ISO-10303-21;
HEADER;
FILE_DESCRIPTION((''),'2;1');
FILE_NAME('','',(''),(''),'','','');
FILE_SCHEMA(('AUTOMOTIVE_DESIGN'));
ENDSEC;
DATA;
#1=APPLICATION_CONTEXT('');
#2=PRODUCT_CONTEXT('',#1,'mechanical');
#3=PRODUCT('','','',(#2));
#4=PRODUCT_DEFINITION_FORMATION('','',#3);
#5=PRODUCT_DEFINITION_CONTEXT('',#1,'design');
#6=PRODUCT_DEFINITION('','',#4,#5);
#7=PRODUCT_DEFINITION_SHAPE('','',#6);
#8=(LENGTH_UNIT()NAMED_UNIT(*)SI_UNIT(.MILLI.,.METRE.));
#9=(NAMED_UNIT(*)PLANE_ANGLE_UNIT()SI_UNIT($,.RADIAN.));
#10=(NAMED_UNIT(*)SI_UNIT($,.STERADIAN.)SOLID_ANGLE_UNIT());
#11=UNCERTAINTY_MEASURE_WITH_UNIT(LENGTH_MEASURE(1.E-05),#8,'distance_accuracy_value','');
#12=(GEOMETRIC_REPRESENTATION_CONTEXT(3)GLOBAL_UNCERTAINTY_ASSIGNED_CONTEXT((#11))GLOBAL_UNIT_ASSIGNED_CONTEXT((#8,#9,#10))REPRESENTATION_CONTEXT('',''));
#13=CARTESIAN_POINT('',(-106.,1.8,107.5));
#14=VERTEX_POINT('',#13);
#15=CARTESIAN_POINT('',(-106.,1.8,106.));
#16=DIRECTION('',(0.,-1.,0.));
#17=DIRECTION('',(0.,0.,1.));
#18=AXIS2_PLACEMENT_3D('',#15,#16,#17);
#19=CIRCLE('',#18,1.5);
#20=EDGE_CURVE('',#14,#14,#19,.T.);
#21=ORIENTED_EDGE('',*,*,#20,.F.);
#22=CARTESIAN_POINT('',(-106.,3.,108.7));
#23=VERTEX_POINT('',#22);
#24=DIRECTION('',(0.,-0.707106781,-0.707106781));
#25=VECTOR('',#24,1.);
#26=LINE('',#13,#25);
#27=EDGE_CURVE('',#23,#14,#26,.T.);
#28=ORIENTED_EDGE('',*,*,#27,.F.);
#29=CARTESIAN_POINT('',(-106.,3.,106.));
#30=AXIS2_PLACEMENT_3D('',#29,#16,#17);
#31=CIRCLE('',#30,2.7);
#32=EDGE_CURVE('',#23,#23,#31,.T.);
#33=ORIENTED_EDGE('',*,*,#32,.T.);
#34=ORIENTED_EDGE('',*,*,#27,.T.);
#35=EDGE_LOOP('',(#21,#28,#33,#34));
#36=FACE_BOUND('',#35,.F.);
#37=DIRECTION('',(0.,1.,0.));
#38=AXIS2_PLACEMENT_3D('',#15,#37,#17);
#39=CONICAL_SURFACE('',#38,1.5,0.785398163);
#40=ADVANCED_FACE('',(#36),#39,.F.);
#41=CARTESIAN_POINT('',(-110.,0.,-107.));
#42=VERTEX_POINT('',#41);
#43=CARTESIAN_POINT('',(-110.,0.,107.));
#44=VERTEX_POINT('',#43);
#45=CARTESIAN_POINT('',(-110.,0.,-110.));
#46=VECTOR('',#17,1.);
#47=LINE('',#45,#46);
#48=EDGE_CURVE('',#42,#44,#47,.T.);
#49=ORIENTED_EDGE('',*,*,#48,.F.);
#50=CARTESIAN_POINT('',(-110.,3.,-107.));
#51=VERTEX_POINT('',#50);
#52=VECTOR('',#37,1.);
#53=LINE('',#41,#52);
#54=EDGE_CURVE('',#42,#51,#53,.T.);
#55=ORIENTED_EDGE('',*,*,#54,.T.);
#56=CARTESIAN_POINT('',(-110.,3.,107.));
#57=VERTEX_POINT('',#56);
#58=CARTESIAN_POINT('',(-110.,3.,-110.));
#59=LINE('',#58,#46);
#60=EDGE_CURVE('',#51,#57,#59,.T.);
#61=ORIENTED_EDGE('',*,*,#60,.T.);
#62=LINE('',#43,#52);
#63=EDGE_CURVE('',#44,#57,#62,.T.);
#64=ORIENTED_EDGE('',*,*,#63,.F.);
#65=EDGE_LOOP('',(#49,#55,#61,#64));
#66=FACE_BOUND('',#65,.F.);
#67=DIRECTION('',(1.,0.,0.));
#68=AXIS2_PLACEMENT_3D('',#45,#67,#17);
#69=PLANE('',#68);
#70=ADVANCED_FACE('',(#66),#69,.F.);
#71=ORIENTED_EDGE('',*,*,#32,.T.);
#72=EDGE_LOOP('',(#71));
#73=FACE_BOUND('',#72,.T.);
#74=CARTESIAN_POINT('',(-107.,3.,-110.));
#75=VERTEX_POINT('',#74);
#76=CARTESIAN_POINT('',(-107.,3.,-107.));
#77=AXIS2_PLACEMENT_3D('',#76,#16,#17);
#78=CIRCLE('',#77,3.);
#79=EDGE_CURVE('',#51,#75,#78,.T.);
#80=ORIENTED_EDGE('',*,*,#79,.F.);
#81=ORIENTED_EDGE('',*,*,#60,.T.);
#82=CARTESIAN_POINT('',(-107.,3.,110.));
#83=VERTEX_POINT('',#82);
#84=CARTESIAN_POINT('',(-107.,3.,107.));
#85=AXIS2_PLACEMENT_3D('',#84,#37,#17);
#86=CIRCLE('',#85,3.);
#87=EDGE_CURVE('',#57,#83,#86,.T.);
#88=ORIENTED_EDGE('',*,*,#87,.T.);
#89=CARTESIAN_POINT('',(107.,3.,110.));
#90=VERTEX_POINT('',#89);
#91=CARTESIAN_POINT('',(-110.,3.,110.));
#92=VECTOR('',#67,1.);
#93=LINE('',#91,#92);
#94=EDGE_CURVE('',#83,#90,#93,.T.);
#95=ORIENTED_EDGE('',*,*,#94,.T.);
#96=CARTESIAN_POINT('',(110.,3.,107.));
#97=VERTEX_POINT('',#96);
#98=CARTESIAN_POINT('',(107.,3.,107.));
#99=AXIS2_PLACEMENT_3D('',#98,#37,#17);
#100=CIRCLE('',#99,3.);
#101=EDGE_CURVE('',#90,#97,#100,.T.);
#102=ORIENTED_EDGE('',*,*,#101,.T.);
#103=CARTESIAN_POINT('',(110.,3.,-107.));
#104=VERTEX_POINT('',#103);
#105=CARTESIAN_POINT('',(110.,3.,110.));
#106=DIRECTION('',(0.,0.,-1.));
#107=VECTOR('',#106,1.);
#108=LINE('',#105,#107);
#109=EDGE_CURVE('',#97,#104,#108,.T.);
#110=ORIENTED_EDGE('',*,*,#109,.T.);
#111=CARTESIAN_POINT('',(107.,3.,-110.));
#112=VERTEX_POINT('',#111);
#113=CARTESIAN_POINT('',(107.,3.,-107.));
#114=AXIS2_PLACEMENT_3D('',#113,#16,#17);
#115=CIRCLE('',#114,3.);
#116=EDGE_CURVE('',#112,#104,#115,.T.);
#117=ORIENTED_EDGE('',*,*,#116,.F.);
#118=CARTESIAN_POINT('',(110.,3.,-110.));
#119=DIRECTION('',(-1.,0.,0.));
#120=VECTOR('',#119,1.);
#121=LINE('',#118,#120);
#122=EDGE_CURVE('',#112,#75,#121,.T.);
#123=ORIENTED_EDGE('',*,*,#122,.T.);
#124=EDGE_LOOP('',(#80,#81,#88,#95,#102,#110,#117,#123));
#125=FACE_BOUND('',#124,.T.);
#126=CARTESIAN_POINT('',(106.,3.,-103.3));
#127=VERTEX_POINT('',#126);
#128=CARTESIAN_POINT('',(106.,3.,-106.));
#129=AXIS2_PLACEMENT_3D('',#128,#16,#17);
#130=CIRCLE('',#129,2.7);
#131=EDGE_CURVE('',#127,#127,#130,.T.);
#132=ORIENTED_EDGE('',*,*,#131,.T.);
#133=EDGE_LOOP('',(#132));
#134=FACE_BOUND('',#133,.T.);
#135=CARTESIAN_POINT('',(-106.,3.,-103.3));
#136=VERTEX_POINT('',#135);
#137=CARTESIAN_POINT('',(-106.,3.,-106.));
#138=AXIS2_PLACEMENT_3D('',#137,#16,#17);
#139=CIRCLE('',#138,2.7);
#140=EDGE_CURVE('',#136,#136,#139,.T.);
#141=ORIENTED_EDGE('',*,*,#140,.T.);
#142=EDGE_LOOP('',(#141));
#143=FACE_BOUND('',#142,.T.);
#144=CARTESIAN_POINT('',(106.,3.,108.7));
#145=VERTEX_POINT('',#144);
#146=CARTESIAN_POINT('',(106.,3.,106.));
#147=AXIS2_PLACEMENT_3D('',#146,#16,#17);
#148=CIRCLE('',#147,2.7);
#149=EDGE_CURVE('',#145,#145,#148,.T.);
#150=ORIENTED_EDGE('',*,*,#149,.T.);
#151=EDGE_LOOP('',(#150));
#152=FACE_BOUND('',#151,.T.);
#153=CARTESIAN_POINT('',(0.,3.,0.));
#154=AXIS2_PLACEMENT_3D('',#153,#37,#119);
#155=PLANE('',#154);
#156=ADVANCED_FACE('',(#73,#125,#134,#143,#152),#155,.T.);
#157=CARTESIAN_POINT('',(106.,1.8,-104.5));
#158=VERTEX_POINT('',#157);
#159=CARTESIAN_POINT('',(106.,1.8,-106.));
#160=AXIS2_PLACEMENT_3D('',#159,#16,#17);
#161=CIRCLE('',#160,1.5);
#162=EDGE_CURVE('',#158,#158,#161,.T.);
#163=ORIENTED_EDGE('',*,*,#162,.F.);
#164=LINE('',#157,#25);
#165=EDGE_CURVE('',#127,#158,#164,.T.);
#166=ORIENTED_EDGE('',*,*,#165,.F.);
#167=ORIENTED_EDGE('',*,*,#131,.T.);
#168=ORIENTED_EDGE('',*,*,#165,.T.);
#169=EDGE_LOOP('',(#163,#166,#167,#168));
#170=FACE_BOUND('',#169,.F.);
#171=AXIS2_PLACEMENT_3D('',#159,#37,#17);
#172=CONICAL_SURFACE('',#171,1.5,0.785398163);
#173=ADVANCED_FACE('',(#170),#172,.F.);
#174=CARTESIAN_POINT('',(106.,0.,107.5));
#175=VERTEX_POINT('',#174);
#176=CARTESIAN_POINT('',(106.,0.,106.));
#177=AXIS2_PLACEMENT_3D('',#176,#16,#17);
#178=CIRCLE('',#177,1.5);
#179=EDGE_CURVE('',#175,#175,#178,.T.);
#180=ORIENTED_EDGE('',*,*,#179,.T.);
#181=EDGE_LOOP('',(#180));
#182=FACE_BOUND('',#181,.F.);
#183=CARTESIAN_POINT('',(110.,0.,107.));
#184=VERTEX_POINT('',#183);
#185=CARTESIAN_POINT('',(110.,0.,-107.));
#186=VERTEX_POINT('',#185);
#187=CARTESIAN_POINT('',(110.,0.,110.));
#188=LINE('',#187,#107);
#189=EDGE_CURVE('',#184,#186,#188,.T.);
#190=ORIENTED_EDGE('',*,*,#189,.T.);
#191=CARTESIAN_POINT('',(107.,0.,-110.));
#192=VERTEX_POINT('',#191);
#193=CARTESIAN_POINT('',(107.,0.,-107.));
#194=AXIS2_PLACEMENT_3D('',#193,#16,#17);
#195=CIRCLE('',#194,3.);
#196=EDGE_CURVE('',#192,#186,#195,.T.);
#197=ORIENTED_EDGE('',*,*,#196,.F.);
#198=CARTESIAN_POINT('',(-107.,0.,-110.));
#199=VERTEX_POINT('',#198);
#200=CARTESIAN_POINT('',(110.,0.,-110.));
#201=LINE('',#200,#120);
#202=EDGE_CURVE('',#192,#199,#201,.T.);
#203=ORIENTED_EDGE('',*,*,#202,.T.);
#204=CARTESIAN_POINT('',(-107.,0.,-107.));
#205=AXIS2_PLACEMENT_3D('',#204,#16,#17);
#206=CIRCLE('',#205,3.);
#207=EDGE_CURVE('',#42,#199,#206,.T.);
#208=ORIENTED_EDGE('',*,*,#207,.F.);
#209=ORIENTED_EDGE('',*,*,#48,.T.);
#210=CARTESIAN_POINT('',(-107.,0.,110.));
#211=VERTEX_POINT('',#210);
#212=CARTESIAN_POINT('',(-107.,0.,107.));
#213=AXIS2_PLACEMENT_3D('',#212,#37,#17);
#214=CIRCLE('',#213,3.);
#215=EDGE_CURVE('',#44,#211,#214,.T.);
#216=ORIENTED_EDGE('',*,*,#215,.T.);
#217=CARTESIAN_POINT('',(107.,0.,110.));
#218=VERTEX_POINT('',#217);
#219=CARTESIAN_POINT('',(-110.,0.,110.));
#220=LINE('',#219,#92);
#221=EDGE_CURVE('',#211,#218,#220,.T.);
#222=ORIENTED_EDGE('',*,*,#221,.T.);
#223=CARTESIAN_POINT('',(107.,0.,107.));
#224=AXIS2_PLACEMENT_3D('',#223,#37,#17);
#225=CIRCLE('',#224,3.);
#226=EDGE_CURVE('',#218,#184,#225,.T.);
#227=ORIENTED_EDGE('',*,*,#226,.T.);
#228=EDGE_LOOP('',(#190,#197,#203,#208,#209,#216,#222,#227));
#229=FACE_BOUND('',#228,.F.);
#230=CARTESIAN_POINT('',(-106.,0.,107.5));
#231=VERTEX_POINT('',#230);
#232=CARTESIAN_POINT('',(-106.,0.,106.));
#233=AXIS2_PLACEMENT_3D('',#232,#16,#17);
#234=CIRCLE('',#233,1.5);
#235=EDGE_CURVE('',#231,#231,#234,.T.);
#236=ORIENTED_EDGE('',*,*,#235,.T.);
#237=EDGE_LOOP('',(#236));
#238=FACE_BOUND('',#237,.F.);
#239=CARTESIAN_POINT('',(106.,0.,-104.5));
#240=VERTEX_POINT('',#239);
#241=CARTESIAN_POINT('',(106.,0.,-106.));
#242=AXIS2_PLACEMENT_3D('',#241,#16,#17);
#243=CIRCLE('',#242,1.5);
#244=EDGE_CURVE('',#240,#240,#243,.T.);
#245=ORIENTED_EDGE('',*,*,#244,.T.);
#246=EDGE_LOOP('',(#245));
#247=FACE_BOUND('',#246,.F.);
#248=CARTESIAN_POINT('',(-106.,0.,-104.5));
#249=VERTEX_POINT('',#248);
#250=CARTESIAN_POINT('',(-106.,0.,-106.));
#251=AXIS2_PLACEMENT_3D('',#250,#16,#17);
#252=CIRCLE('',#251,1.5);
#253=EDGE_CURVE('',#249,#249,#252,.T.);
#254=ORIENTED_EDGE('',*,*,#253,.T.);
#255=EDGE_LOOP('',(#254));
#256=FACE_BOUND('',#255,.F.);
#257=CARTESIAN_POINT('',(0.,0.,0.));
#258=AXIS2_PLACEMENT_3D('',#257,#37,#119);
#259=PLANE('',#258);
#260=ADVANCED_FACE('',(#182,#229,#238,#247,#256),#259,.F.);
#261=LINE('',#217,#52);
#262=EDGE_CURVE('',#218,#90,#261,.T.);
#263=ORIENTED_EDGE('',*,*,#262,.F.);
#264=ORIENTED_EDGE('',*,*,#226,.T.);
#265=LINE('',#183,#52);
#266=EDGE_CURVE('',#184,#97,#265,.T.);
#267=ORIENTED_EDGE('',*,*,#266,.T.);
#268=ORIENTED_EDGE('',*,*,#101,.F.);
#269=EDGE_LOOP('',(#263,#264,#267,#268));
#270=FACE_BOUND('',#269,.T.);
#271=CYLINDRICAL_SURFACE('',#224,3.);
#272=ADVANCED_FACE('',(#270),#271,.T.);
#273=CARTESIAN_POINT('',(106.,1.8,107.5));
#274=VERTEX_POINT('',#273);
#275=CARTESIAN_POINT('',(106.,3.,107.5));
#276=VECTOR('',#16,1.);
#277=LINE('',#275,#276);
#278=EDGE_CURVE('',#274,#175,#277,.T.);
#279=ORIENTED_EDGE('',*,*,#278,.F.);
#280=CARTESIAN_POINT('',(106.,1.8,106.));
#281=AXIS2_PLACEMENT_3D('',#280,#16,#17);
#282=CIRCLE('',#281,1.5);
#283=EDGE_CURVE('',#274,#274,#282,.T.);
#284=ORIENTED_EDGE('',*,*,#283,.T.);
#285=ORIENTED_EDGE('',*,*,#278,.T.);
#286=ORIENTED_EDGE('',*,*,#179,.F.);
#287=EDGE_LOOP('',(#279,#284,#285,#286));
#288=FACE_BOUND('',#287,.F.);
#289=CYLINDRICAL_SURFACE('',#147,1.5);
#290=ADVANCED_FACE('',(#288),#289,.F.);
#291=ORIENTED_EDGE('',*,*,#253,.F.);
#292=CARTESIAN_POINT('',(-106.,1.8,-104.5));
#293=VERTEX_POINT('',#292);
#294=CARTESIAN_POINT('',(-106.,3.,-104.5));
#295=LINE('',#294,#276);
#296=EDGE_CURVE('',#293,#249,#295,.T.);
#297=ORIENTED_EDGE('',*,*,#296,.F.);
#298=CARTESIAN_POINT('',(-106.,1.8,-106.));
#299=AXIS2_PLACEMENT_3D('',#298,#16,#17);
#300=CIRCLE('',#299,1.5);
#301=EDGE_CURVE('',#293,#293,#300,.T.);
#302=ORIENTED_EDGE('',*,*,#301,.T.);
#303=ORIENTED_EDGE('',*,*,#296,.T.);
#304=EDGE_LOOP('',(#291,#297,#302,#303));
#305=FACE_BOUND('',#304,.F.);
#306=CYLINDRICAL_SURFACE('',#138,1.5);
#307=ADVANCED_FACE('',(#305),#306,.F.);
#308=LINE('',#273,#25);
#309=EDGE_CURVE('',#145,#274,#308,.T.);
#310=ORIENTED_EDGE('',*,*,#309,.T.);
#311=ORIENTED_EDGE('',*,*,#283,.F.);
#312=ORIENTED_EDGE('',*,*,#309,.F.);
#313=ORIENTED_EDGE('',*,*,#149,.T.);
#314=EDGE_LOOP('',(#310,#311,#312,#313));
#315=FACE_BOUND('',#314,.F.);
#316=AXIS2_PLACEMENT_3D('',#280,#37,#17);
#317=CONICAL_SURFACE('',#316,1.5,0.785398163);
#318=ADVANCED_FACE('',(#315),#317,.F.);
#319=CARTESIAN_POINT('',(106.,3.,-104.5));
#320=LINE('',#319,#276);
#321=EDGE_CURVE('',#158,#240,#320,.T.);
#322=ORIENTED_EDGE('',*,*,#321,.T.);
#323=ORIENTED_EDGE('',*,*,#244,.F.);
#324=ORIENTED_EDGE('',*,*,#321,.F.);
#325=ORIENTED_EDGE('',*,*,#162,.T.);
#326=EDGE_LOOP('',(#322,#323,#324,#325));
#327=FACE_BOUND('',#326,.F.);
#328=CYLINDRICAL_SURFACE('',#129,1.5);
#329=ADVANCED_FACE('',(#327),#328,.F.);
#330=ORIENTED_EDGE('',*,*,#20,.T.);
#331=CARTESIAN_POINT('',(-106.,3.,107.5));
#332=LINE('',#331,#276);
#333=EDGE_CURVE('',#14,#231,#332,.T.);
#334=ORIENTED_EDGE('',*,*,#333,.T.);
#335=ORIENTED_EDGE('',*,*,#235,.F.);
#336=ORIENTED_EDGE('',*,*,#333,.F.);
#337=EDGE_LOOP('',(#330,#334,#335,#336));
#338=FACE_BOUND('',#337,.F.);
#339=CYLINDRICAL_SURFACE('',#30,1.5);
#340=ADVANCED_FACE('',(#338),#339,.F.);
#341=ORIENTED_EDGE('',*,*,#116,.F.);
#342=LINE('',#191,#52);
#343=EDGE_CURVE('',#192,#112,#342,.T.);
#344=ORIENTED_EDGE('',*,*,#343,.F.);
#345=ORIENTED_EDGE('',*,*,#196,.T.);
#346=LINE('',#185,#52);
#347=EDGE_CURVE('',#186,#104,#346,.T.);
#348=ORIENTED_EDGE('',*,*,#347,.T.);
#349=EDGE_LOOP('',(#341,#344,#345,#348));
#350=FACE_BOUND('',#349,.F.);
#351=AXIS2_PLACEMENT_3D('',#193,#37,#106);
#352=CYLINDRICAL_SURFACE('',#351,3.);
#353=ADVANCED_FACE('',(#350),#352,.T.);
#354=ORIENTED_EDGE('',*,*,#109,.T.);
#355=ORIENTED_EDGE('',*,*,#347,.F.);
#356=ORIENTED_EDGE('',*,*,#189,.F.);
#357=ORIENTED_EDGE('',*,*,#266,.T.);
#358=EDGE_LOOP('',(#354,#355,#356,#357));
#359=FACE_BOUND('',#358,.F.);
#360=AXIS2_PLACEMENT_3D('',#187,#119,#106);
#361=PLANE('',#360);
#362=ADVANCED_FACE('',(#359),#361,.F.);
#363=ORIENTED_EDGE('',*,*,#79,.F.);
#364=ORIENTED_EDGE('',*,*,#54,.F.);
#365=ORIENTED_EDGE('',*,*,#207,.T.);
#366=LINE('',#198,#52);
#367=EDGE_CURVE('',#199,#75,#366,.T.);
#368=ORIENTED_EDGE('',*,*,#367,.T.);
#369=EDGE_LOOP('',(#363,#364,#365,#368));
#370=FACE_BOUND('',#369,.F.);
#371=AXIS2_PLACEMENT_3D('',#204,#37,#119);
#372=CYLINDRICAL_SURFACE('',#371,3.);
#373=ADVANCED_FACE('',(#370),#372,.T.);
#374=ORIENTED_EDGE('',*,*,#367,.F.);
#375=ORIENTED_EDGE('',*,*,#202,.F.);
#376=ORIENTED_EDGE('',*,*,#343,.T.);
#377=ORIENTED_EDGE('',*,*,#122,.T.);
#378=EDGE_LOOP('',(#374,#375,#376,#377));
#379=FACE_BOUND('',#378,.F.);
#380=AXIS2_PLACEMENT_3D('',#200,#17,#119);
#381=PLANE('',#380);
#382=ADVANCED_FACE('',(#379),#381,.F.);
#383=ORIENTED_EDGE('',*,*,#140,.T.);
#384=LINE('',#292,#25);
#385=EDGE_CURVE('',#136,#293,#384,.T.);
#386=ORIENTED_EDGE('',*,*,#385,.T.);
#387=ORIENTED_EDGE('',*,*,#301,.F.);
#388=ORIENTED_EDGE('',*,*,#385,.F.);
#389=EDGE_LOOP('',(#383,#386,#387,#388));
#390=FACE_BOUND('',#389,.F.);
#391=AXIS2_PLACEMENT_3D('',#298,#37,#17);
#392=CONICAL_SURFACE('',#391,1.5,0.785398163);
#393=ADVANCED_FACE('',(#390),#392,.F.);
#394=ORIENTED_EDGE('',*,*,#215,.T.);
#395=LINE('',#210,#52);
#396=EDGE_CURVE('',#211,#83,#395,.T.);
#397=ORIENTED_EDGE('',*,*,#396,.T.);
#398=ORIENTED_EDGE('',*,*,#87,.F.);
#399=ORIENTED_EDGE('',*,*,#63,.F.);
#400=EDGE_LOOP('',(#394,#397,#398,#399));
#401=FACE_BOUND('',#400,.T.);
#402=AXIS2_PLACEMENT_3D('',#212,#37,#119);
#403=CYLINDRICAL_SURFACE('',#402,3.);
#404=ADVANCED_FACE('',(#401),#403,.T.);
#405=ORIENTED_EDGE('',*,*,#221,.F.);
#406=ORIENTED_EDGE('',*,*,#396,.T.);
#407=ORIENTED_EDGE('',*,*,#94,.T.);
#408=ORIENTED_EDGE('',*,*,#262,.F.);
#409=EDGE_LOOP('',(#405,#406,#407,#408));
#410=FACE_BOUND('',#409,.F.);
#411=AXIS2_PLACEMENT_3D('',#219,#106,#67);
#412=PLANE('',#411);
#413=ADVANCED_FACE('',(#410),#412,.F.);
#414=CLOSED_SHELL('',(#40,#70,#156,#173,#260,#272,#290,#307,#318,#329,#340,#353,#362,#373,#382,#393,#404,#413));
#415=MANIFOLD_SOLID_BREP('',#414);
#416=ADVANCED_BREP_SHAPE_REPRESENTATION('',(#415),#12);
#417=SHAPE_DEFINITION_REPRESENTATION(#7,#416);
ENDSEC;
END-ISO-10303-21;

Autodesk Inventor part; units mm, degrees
ref_plane "YZ Plane" through (0, 0, 0) normal (1, 0, 0) x (0, 1, 0)
ref_plane "XZ Plane" through (0, 0, 0) normal (0, 1, 0) x (-1, 0, 0)
ref_plane "XY Plane" through (0, 0, 0) normal (0, 0, 1) x (1, 0, 0)
sketch "Szkic1" plane through (0, 0, 0) normal (0, 1, 0) x (-1, 0, 0)
  line L0 (110, 110) -> (-110, 110)
  line L1 (-110, 110) -> (-110, -110)
  line L2 (-110, -110) -> (110, -110)
  line L3 (110, -110) -> (110, 110)
  line L4 (110, 0) -> (-110, 0) construction
  line L5 (0, 110) -> (0, -110) construction
  point P0 (0, 0)
  dimension "d0" = 220
  dimension "d1" = 220
extrude "Wyciągnięcie proste1" add sketch "Szkic1" along normal blind 3
sketch "Szkic2" plane through (0, 3, 0) normal (0, 1, 0) x (1, 0, 0)
  line L0 (-110, 110) -> (-110, -110) projected
  line L1 (-110, -110) -> (110, -110) projected
  line L2 (110, -110) -> (110, 110) projected
  line L3 (110, 110) -> (-110, 110) projected
  point P0 (0, 0)
  point P1 (-106, -106)
  point P2 (-106, 106)
  point P3 (106, 106)
  point P4 (106, -106)
  dimension "d4" = 4
  dimension "d5" = 4
  dimension "d6" = 4
  dimension "d7" = 4
hole "Otwór1" at (-106, 3, 106) at (-106, 3, -106) at (106, 3, -106) at (106, 3, 106) direction (0, -1, 0) diameter 3 end through all
fillet "Zaokrąglenie1" radius 3 4 edges at (-110, 1.5, 110) (110, 1.5, 110) (110, 1.5, -110) (-110, 1.5, -110)
chamfer "Faza1" distance 1.2 angle 45 4 edges at (106, 3, -107.5) (-106, 3, -107.5) (106, 3, 104.5) (-106, 3, 104.5)
properties part number "20_stół" material "Aluminum 6061"
